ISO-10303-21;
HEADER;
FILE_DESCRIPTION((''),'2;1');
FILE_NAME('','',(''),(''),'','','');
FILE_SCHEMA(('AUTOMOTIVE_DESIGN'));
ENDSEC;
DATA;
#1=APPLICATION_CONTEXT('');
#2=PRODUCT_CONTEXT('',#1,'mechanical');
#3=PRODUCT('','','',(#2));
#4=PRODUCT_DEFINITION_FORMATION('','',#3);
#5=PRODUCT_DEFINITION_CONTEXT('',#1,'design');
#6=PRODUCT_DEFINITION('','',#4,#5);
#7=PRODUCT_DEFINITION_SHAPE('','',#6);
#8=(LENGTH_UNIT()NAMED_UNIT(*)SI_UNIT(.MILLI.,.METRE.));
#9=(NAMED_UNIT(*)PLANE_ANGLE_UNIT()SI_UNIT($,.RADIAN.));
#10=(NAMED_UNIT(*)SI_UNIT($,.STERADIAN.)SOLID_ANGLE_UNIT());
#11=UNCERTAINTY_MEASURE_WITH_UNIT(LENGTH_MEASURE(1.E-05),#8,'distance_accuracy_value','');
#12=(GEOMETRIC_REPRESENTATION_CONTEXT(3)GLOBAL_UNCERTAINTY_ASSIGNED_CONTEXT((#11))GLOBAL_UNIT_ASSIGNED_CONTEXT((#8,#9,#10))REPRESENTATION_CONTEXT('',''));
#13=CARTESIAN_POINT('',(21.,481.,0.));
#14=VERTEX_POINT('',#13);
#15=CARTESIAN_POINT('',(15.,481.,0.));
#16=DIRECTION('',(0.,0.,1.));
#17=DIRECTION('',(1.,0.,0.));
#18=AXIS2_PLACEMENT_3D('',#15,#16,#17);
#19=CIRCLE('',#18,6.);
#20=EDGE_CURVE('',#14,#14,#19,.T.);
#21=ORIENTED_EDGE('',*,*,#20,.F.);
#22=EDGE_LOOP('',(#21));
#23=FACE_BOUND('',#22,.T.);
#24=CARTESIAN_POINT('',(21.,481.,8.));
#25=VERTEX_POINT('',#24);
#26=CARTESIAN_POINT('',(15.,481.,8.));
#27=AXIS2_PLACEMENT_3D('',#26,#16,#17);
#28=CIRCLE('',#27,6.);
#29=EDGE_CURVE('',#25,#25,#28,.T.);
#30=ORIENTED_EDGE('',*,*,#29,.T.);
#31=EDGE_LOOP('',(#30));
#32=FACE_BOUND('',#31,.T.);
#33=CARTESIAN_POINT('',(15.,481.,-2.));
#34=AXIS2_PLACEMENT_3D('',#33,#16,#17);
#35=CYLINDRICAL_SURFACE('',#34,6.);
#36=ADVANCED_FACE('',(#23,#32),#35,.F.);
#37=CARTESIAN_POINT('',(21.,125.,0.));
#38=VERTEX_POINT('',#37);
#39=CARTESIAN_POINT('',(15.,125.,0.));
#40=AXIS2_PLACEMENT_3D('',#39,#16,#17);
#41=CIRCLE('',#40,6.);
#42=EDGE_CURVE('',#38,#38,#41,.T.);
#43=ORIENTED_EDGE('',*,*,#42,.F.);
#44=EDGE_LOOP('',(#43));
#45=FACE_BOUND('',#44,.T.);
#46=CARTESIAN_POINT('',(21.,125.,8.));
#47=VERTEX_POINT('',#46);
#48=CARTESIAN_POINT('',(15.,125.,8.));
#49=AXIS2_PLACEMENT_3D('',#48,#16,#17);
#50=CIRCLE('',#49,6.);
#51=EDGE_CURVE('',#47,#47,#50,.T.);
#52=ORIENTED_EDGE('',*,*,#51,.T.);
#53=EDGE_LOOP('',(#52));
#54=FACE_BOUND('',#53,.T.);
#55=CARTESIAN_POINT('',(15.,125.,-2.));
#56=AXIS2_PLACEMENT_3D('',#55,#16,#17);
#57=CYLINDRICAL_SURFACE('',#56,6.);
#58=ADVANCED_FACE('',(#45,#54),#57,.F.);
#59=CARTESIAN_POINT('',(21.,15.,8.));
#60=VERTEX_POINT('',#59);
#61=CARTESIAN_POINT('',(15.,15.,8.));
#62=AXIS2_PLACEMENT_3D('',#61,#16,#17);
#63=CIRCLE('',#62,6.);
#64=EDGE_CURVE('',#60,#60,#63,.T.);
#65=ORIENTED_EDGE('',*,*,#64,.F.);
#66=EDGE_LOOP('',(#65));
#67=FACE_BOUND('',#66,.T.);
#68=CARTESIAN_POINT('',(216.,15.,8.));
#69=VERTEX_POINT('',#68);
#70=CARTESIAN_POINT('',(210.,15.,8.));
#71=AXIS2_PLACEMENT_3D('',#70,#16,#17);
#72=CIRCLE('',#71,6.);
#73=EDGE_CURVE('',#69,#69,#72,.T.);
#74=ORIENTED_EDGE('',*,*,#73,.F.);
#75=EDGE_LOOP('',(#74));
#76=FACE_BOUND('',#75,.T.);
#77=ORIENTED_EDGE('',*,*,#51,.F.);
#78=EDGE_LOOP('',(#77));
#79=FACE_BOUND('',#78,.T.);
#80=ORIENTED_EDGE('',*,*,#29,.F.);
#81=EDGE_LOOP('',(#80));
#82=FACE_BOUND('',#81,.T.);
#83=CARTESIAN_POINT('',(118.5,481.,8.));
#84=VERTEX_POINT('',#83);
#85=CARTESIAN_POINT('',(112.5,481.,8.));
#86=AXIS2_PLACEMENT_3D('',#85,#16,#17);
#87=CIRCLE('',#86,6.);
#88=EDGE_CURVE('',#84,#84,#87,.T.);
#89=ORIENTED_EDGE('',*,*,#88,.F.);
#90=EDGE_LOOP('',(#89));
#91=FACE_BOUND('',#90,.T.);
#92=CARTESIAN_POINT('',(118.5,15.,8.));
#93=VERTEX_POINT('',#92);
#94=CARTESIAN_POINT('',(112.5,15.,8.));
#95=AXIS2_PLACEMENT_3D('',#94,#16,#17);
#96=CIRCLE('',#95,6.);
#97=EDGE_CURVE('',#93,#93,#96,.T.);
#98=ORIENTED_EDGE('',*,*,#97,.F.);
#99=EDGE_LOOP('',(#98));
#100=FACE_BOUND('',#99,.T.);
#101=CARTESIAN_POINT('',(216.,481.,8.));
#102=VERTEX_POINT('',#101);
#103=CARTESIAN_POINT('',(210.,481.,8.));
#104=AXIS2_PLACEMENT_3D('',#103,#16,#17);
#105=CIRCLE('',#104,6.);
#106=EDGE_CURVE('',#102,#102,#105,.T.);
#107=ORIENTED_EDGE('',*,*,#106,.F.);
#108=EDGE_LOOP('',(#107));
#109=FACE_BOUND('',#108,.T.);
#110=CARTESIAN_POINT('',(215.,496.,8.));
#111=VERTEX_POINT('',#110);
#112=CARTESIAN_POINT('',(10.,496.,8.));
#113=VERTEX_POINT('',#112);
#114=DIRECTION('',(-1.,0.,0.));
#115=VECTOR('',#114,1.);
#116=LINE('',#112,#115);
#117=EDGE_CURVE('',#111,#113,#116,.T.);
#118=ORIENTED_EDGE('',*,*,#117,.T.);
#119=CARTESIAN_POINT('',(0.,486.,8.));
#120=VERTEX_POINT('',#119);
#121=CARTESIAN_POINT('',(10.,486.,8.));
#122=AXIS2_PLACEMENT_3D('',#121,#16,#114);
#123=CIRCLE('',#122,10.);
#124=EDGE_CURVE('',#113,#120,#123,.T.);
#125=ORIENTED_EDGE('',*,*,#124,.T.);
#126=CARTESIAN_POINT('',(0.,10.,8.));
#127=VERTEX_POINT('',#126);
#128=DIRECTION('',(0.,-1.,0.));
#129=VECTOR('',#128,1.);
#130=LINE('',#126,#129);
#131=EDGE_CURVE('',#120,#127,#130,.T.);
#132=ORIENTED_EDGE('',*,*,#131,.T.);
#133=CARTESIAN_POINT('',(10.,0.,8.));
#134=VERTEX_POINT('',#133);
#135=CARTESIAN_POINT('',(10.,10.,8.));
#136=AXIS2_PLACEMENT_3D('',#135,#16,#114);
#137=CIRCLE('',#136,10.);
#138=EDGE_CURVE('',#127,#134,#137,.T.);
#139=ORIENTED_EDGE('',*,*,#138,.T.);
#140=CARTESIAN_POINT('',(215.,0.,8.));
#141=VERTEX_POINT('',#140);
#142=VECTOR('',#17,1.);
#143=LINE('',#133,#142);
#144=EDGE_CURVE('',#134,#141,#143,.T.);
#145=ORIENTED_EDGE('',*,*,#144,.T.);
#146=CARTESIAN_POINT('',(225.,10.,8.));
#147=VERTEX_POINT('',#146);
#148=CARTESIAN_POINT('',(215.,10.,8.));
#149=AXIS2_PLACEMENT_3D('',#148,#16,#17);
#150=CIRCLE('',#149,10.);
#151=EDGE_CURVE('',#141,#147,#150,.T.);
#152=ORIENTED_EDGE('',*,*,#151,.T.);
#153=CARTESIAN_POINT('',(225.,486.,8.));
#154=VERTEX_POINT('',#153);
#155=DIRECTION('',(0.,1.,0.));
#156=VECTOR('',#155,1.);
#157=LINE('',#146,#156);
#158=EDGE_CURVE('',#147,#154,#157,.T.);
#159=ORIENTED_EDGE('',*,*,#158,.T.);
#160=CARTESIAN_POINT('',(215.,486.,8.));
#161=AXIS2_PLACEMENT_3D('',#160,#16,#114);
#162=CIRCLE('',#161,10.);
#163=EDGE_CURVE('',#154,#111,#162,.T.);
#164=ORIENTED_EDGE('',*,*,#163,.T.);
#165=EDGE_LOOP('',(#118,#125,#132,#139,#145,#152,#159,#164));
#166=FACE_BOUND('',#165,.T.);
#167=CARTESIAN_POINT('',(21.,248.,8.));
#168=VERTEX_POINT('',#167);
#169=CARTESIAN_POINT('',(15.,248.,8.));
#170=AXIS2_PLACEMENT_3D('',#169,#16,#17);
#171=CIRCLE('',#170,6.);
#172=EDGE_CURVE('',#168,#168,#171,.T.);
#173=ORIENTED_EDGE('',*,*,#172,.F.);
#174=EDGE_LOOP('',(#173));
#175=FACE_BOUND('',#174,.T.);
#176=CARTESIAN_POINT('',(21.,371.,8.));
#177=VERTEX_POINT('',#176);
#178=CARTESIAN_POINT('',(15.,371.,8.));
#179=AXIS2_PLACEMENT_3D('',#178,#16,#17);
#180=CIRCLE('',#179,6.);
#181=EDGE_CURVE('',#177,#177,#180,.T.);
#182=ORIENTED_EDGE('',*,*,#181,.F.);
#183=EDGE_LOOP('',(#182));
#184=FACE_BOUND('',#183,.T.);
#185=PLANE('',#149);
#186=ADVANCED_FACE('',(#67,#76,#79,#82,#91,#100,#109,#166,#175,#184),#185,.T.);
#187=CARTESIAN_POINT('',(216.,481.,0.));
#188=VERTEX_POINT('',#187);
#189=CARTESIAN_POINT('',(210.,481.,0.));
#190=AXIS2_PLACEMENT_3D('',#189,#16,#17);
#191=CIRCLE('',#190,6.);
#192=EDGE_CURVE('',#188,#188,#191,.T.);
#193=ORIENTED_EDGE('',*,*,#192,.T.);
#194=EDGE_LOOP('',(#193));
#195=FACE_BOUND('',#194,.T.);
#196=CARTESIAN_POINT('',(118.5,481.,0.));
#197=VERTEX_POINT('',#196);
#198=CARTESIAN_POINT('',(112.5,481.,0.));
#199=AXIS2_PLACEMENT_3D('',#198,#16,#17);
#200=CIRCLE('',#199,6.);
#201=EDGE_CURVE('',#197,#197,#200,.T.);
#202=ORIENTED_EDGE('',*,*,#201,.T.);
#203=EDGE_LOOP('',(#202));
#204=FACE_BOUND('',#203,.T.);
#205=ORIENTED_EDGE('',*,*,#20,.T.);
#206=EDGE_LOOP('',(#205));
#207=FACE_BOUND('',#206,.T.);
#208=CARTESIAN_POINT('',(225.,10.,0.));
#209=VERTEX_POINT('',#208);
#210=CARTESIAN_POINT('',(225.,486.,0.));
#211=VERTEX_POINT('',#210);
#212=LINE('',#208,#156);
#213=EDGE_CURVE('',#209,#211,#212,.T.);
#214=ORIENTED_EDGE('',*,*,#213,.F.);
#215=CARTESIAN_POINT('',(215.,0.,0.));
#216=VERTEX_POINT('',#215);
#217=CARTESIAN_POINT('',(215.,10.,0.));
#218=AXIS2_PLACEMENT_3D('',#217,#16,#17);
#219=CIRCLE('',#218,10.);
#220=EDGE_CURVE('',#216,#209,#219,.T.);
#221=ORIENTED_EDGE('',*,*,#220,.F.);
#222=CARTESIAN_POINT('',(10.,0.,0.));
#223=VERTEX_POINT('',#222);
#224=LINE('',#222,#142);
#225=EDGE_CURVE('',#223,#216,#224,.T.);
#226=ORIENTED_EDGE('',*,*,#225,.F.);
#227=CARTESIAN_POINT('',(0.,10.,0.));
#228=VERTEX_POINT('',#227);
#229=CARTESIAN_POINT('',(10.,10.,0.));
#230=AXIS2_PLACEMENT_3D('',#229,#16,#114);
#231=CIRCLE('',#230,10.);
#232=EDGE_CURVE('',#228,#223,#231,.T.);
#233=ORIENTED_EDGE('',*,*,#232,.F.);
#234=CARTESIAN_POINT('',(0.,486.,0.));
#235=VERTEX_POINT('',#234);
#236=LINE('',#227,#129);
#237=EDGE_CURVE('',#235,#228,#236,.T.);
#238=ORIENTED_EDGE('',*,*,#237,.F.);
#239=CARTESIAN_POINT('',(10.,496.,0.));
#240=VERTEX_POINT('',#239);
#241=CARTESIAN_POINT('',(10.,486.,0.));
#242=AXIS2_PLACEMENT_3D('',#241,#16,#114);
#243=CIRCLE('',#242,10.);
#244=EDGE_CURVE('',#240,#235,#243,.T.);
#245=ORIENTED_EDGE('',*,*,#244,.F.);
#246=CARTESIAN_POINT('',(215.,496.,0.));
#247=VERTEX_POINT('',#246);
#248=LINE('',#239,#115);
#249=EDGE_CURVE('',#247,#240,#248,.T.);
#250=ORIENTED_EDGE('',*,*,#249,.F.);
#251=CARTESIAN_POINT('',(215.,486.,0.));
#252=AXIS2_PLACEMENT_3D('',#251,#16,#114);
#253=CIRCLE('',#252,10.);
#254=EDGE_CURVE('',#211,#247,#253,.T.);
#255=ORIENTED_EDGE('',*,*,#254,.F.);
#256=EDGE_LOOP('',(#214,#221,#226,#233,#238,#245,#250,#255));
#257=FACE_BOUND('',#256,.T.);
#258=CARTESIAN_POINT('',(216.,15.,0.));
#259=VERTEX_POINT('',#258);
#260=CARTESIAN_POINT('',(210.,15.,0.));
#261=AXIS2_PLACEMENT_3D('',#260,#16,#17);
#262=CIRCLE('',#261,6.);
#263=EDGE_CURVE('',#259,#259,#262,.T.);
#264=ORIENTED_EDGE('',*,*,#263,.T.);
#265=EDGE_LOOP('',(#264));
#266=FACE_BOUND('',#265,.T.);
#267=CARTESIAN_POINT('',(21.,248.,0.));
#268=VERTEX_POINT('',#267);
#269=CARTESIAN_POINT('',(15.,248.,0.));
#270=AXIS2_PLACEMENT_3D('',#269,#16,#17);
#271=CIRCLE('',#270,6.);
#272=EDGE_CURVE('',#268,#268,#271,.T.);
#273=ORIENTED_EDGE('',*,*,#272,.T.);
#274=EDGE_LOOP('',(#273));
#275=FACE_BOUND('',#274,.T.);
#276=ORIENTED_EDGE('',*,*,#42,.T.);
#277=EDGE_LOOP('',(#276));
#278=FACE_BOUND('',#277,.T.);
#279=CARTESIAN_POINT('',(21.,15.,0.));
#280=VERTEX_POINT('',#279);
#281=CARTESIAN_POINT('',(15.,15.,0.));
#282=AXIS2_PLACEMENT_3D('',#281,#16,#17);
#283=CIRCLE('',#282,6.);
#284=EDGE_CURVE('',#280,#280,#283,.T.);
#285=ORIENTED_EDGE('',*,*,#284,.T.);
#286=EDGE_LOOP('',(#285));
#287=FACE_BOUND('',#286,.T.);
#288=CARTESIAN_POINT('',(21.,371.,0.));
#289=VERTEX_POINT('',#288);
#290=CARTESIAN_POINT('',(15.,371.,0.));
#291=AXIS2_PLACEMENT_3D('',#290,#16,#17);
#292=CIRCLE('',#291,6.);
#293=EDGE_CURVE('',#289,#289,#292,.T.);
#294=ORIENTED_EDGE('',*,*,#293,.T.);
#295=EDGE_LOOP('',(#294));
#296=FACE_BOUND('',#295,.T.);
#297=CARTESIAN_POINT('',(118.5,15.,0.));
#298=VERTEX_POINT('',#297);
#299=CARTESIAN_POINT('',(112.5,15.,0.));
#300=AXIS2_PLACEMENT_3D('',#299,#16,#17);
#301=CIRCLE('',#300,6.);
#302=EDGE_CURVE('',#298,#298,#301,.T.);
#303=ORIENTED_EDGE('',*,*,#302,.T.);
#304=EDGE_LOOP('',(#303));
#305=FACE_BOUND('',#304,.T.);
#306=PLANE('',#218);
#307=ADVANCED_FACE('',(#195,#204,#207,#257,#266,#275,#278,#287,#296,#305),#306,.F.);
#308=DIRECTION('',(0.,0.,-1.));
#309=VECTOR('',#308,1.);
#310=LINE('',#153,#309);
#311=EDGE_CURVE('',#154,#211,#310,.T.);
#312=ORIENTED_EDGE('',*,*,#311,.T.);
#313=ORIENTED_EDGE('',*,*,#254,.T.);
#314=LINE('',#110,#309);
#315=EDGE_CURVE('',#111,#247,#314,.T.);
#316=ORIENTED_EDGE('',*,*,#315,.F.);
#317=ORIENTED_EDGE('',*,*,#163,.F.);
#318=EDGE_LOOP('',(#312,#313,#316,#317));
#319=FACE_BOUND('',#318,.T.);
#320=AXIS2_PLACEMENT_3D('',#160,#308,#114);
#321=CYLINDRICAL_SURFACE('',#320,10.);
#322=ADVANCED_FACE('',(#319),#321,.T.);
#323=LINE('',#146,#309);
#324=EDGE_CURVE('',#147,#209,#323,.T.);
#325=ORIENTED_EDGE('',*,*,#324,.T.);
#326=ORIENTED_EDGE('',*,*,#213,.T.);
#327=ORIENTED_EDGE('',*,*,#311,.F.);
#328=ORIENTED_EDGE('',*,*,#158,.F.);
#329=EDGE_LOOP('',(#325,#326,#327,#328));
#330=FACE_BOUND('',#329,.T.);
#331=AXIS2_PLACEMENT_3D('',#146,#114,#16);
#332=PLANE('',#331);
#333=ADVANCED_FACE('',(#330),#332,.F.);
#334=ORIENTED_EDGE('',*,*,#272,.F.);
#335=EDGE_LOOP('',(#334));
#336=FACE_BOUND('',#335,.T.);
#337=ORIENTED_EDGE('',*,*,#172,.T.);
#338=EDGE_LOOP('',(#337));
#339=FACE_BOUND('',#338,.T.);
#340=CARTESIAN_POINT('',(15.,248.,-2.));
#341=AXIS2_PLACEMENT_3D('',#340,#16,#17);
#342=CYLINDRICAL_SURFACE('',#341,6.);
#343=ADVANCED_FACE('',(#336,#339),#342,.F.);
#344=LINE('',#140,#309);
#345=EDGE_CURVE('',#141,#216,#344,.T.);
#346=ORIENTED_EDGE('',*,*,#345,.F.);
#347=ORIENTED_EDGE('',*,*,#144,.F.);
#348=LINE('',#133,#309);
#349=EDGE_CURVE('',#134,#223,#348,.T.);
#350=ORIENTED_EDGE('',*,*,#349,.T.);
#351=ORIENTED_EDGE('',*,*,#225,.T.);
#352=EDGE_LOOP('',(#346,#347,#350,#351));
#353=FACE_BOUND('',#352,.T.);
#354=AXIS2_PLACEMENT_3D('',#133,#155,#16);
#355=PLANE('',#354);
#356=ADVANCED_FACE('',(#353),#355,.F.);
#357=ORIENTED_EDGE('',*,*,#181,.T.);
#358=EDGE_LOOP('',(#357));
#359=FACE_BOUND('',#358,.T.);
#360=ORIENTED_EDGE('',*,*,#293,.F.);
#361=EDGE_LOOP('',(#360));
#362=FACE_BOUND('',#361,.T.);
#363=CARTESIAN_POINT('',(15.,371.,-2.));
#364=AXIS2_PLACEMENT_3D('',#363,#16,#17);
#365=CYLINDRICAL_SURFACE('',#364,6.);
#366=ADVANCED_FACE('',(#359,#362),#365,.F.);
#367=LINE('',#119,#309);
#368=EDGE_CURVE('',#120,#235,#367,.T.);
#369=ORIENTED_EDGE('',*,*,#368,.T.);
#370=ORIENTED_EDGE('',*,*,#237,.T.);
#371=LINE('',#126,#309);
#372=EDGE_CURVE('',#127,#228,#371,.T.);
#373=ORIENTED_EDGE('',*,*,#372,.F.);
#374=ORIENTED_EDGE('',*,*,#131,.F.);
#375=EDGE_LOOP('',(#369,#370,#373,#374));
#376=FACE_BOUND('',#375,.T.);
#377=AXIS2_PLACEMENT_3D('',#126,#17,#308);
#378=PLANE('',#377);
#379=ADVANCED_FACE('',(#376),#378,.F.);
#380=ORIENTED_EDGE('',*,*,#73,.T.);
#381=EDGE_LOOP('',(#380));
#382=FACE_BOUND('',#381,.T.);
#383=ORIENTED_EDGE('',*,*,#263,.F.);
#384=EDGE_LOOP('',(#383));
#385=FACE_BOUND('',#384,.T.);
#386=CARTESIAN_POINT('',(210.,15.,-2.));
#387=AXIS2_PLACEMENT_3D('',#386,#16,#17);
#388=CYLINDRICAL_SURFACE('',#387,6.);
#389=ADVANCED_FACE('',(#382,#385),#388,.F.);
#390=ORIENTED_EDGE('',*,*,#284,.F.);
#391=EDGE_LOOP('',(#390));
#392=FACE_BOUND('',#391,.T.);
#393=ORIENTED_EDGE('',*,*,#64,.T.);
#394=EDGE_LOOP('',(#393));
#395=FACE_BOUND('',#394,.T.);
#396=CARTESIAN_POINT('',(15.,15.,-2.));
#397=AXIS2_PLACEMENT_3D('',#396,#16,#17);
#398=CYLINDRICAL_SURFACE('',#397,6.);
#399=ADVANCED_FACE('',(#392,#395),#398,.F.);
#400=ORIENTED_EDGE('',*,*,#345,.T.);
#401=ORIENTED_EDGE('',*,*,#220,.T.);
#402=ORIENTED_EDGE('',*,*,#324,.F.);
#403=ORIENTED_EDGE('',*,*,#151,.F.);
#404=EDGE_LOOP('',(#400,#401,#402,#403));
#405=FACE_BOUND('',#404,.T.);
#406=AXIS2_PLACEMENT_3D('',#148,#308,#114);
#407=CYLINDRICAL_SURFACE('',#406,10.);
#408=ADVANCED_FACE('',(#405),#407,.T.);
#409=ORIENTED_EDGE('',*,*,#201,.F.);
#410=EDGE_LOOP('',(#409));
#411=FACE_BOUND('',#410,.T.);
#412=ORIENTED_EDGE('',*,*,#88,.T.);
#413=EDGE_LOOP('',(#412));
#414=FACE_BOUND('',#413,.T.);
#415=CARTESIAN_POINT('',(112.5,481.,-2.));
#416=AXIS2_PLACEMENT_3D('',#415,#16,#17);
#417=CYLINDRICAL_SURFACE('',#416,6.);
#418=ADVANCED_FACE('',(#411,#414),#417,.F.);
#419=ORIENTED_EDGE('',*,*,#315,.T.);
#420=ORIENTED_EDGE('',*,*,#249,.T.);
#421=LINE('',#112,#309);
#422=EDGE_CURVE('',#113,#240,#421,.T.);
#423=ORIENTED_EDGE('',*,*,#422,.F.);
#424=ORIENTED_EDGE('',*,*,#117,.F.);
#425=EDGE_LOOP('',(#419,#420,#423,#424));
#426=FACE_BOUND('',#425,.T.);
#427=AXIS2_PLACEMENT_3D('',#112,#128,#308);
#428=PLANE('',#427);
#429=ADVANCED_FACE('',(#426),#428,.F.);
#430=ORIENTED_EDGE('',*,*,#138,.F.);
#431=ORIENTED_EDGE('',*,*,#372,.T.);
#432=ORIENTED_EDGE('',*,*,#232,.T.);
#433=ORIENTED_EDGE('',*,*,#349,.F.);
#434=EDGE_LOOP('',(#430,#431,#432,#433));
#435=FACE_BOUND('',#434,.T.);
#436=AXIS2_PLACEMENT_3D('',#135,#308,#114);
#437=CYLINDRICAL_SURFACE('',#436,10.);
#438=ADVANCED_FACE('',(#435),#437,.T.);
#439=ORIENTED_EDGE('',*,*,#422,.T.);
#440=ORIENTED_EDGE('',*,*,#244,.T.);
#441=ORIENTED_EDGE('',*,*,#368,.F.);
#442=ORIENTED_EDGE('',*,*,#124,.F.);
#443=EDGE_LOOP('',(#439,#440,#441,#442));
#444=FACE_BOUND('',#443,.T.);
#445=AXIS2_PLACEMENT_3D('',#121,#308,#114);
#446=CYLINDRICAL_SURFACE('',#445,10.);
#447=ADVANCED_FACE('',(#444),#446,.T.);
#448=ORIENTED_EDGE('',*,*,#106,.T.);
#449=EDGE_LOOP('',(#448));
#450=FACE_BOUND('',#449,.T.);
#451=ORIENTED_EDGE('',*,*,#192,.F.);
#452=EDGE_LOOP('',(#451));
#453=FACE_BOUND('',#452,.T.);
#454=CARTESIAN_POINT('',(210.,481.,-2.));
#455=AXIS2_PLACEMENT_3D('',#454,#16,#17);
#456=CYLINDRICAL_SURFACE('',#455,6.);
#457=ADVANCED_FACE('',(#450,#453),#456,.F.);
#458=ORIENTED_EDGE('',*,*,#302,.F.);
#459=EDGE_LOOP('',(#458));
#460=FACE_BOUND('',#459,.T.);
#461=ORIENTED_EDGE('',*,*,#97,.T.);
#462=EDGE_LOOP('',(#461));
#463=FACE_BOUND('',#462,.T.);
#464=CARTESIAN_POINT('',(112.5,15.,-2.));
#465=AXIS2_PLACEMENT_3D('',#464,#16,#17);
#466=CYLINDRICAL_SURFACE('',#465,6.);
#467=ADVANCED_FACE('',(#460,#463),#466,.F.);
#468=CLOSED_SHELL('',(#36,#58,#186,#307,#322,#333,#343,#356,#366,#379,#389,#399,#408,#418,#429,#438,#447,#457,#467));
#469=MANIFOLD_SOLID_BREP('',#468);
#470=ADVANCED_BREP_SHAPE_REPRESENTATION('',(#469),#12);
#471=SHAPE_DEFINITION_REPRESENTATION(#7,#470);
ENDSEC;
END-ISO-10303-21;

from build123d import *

# Parameters (mm, degrees)
EXTRUDE_1_DEPTH     = 8
SKETCH_2_R          = 6
CUT_EXTRUDE_1_DEPTH = 10


with BuildPart() as part:
    # 草图1 → 凸台-拉伸1 (new body)
    with BuildSketch(Plane.XY):
        with BuildLine():
            Line((10, 0), (215, 0))
            ThreePointArc((215, 0), (222.071067812, 2.928932188), (225, 10))
            Line((225, 10), (225, 486))
            ThreePointArc((225, 486), (222.071067812, 493.071067812), (215, 496))
            Line((215, 496), (10, 496))
            ThreePointArc((10, 496), (2.928932188, 493.071067812), (0, 486))
            Line((0, 486), (0, 10))
            ThreePointArc((0, 10), (2.928932188, 2.928932188), (10, 0))
        make_face()
    extrude(amount=EXTRUDE_1_DEPTH)

    # 草图2 → 切除-拉伸1 (cut)
    with BuildSketch(Plane.XY.offset(8)):
        with Locations((112.5, 481)):
            Circle(SKETCH_2_R)
        with Locations((210, 481)):
            Circle(SKETCH_2_R)
        with Locations((15, 481)):
            Circle(SKETCH_2_R)
        with Locations((15, 15)):
            Circle(SKETCH_2_R)
        with Locations((210, 15)):
            Circle(SKETCH_2_R)
        with Locations((112.5, 15)):
            Circle(SKETCH_2_R)
        with Locations((15, 248)):
            Circle(SKETCH_2_R)
        with Locations((15, 371)):
            Circle(SKETCH_2_R)
        with Locations((15, 125)):
            Circle(SKETCH_2_R)
    extrude(amount=-CUT_EXTRUDE_1_DEPTH, mode=Mode.SUBTRACT)


solid = part.part
